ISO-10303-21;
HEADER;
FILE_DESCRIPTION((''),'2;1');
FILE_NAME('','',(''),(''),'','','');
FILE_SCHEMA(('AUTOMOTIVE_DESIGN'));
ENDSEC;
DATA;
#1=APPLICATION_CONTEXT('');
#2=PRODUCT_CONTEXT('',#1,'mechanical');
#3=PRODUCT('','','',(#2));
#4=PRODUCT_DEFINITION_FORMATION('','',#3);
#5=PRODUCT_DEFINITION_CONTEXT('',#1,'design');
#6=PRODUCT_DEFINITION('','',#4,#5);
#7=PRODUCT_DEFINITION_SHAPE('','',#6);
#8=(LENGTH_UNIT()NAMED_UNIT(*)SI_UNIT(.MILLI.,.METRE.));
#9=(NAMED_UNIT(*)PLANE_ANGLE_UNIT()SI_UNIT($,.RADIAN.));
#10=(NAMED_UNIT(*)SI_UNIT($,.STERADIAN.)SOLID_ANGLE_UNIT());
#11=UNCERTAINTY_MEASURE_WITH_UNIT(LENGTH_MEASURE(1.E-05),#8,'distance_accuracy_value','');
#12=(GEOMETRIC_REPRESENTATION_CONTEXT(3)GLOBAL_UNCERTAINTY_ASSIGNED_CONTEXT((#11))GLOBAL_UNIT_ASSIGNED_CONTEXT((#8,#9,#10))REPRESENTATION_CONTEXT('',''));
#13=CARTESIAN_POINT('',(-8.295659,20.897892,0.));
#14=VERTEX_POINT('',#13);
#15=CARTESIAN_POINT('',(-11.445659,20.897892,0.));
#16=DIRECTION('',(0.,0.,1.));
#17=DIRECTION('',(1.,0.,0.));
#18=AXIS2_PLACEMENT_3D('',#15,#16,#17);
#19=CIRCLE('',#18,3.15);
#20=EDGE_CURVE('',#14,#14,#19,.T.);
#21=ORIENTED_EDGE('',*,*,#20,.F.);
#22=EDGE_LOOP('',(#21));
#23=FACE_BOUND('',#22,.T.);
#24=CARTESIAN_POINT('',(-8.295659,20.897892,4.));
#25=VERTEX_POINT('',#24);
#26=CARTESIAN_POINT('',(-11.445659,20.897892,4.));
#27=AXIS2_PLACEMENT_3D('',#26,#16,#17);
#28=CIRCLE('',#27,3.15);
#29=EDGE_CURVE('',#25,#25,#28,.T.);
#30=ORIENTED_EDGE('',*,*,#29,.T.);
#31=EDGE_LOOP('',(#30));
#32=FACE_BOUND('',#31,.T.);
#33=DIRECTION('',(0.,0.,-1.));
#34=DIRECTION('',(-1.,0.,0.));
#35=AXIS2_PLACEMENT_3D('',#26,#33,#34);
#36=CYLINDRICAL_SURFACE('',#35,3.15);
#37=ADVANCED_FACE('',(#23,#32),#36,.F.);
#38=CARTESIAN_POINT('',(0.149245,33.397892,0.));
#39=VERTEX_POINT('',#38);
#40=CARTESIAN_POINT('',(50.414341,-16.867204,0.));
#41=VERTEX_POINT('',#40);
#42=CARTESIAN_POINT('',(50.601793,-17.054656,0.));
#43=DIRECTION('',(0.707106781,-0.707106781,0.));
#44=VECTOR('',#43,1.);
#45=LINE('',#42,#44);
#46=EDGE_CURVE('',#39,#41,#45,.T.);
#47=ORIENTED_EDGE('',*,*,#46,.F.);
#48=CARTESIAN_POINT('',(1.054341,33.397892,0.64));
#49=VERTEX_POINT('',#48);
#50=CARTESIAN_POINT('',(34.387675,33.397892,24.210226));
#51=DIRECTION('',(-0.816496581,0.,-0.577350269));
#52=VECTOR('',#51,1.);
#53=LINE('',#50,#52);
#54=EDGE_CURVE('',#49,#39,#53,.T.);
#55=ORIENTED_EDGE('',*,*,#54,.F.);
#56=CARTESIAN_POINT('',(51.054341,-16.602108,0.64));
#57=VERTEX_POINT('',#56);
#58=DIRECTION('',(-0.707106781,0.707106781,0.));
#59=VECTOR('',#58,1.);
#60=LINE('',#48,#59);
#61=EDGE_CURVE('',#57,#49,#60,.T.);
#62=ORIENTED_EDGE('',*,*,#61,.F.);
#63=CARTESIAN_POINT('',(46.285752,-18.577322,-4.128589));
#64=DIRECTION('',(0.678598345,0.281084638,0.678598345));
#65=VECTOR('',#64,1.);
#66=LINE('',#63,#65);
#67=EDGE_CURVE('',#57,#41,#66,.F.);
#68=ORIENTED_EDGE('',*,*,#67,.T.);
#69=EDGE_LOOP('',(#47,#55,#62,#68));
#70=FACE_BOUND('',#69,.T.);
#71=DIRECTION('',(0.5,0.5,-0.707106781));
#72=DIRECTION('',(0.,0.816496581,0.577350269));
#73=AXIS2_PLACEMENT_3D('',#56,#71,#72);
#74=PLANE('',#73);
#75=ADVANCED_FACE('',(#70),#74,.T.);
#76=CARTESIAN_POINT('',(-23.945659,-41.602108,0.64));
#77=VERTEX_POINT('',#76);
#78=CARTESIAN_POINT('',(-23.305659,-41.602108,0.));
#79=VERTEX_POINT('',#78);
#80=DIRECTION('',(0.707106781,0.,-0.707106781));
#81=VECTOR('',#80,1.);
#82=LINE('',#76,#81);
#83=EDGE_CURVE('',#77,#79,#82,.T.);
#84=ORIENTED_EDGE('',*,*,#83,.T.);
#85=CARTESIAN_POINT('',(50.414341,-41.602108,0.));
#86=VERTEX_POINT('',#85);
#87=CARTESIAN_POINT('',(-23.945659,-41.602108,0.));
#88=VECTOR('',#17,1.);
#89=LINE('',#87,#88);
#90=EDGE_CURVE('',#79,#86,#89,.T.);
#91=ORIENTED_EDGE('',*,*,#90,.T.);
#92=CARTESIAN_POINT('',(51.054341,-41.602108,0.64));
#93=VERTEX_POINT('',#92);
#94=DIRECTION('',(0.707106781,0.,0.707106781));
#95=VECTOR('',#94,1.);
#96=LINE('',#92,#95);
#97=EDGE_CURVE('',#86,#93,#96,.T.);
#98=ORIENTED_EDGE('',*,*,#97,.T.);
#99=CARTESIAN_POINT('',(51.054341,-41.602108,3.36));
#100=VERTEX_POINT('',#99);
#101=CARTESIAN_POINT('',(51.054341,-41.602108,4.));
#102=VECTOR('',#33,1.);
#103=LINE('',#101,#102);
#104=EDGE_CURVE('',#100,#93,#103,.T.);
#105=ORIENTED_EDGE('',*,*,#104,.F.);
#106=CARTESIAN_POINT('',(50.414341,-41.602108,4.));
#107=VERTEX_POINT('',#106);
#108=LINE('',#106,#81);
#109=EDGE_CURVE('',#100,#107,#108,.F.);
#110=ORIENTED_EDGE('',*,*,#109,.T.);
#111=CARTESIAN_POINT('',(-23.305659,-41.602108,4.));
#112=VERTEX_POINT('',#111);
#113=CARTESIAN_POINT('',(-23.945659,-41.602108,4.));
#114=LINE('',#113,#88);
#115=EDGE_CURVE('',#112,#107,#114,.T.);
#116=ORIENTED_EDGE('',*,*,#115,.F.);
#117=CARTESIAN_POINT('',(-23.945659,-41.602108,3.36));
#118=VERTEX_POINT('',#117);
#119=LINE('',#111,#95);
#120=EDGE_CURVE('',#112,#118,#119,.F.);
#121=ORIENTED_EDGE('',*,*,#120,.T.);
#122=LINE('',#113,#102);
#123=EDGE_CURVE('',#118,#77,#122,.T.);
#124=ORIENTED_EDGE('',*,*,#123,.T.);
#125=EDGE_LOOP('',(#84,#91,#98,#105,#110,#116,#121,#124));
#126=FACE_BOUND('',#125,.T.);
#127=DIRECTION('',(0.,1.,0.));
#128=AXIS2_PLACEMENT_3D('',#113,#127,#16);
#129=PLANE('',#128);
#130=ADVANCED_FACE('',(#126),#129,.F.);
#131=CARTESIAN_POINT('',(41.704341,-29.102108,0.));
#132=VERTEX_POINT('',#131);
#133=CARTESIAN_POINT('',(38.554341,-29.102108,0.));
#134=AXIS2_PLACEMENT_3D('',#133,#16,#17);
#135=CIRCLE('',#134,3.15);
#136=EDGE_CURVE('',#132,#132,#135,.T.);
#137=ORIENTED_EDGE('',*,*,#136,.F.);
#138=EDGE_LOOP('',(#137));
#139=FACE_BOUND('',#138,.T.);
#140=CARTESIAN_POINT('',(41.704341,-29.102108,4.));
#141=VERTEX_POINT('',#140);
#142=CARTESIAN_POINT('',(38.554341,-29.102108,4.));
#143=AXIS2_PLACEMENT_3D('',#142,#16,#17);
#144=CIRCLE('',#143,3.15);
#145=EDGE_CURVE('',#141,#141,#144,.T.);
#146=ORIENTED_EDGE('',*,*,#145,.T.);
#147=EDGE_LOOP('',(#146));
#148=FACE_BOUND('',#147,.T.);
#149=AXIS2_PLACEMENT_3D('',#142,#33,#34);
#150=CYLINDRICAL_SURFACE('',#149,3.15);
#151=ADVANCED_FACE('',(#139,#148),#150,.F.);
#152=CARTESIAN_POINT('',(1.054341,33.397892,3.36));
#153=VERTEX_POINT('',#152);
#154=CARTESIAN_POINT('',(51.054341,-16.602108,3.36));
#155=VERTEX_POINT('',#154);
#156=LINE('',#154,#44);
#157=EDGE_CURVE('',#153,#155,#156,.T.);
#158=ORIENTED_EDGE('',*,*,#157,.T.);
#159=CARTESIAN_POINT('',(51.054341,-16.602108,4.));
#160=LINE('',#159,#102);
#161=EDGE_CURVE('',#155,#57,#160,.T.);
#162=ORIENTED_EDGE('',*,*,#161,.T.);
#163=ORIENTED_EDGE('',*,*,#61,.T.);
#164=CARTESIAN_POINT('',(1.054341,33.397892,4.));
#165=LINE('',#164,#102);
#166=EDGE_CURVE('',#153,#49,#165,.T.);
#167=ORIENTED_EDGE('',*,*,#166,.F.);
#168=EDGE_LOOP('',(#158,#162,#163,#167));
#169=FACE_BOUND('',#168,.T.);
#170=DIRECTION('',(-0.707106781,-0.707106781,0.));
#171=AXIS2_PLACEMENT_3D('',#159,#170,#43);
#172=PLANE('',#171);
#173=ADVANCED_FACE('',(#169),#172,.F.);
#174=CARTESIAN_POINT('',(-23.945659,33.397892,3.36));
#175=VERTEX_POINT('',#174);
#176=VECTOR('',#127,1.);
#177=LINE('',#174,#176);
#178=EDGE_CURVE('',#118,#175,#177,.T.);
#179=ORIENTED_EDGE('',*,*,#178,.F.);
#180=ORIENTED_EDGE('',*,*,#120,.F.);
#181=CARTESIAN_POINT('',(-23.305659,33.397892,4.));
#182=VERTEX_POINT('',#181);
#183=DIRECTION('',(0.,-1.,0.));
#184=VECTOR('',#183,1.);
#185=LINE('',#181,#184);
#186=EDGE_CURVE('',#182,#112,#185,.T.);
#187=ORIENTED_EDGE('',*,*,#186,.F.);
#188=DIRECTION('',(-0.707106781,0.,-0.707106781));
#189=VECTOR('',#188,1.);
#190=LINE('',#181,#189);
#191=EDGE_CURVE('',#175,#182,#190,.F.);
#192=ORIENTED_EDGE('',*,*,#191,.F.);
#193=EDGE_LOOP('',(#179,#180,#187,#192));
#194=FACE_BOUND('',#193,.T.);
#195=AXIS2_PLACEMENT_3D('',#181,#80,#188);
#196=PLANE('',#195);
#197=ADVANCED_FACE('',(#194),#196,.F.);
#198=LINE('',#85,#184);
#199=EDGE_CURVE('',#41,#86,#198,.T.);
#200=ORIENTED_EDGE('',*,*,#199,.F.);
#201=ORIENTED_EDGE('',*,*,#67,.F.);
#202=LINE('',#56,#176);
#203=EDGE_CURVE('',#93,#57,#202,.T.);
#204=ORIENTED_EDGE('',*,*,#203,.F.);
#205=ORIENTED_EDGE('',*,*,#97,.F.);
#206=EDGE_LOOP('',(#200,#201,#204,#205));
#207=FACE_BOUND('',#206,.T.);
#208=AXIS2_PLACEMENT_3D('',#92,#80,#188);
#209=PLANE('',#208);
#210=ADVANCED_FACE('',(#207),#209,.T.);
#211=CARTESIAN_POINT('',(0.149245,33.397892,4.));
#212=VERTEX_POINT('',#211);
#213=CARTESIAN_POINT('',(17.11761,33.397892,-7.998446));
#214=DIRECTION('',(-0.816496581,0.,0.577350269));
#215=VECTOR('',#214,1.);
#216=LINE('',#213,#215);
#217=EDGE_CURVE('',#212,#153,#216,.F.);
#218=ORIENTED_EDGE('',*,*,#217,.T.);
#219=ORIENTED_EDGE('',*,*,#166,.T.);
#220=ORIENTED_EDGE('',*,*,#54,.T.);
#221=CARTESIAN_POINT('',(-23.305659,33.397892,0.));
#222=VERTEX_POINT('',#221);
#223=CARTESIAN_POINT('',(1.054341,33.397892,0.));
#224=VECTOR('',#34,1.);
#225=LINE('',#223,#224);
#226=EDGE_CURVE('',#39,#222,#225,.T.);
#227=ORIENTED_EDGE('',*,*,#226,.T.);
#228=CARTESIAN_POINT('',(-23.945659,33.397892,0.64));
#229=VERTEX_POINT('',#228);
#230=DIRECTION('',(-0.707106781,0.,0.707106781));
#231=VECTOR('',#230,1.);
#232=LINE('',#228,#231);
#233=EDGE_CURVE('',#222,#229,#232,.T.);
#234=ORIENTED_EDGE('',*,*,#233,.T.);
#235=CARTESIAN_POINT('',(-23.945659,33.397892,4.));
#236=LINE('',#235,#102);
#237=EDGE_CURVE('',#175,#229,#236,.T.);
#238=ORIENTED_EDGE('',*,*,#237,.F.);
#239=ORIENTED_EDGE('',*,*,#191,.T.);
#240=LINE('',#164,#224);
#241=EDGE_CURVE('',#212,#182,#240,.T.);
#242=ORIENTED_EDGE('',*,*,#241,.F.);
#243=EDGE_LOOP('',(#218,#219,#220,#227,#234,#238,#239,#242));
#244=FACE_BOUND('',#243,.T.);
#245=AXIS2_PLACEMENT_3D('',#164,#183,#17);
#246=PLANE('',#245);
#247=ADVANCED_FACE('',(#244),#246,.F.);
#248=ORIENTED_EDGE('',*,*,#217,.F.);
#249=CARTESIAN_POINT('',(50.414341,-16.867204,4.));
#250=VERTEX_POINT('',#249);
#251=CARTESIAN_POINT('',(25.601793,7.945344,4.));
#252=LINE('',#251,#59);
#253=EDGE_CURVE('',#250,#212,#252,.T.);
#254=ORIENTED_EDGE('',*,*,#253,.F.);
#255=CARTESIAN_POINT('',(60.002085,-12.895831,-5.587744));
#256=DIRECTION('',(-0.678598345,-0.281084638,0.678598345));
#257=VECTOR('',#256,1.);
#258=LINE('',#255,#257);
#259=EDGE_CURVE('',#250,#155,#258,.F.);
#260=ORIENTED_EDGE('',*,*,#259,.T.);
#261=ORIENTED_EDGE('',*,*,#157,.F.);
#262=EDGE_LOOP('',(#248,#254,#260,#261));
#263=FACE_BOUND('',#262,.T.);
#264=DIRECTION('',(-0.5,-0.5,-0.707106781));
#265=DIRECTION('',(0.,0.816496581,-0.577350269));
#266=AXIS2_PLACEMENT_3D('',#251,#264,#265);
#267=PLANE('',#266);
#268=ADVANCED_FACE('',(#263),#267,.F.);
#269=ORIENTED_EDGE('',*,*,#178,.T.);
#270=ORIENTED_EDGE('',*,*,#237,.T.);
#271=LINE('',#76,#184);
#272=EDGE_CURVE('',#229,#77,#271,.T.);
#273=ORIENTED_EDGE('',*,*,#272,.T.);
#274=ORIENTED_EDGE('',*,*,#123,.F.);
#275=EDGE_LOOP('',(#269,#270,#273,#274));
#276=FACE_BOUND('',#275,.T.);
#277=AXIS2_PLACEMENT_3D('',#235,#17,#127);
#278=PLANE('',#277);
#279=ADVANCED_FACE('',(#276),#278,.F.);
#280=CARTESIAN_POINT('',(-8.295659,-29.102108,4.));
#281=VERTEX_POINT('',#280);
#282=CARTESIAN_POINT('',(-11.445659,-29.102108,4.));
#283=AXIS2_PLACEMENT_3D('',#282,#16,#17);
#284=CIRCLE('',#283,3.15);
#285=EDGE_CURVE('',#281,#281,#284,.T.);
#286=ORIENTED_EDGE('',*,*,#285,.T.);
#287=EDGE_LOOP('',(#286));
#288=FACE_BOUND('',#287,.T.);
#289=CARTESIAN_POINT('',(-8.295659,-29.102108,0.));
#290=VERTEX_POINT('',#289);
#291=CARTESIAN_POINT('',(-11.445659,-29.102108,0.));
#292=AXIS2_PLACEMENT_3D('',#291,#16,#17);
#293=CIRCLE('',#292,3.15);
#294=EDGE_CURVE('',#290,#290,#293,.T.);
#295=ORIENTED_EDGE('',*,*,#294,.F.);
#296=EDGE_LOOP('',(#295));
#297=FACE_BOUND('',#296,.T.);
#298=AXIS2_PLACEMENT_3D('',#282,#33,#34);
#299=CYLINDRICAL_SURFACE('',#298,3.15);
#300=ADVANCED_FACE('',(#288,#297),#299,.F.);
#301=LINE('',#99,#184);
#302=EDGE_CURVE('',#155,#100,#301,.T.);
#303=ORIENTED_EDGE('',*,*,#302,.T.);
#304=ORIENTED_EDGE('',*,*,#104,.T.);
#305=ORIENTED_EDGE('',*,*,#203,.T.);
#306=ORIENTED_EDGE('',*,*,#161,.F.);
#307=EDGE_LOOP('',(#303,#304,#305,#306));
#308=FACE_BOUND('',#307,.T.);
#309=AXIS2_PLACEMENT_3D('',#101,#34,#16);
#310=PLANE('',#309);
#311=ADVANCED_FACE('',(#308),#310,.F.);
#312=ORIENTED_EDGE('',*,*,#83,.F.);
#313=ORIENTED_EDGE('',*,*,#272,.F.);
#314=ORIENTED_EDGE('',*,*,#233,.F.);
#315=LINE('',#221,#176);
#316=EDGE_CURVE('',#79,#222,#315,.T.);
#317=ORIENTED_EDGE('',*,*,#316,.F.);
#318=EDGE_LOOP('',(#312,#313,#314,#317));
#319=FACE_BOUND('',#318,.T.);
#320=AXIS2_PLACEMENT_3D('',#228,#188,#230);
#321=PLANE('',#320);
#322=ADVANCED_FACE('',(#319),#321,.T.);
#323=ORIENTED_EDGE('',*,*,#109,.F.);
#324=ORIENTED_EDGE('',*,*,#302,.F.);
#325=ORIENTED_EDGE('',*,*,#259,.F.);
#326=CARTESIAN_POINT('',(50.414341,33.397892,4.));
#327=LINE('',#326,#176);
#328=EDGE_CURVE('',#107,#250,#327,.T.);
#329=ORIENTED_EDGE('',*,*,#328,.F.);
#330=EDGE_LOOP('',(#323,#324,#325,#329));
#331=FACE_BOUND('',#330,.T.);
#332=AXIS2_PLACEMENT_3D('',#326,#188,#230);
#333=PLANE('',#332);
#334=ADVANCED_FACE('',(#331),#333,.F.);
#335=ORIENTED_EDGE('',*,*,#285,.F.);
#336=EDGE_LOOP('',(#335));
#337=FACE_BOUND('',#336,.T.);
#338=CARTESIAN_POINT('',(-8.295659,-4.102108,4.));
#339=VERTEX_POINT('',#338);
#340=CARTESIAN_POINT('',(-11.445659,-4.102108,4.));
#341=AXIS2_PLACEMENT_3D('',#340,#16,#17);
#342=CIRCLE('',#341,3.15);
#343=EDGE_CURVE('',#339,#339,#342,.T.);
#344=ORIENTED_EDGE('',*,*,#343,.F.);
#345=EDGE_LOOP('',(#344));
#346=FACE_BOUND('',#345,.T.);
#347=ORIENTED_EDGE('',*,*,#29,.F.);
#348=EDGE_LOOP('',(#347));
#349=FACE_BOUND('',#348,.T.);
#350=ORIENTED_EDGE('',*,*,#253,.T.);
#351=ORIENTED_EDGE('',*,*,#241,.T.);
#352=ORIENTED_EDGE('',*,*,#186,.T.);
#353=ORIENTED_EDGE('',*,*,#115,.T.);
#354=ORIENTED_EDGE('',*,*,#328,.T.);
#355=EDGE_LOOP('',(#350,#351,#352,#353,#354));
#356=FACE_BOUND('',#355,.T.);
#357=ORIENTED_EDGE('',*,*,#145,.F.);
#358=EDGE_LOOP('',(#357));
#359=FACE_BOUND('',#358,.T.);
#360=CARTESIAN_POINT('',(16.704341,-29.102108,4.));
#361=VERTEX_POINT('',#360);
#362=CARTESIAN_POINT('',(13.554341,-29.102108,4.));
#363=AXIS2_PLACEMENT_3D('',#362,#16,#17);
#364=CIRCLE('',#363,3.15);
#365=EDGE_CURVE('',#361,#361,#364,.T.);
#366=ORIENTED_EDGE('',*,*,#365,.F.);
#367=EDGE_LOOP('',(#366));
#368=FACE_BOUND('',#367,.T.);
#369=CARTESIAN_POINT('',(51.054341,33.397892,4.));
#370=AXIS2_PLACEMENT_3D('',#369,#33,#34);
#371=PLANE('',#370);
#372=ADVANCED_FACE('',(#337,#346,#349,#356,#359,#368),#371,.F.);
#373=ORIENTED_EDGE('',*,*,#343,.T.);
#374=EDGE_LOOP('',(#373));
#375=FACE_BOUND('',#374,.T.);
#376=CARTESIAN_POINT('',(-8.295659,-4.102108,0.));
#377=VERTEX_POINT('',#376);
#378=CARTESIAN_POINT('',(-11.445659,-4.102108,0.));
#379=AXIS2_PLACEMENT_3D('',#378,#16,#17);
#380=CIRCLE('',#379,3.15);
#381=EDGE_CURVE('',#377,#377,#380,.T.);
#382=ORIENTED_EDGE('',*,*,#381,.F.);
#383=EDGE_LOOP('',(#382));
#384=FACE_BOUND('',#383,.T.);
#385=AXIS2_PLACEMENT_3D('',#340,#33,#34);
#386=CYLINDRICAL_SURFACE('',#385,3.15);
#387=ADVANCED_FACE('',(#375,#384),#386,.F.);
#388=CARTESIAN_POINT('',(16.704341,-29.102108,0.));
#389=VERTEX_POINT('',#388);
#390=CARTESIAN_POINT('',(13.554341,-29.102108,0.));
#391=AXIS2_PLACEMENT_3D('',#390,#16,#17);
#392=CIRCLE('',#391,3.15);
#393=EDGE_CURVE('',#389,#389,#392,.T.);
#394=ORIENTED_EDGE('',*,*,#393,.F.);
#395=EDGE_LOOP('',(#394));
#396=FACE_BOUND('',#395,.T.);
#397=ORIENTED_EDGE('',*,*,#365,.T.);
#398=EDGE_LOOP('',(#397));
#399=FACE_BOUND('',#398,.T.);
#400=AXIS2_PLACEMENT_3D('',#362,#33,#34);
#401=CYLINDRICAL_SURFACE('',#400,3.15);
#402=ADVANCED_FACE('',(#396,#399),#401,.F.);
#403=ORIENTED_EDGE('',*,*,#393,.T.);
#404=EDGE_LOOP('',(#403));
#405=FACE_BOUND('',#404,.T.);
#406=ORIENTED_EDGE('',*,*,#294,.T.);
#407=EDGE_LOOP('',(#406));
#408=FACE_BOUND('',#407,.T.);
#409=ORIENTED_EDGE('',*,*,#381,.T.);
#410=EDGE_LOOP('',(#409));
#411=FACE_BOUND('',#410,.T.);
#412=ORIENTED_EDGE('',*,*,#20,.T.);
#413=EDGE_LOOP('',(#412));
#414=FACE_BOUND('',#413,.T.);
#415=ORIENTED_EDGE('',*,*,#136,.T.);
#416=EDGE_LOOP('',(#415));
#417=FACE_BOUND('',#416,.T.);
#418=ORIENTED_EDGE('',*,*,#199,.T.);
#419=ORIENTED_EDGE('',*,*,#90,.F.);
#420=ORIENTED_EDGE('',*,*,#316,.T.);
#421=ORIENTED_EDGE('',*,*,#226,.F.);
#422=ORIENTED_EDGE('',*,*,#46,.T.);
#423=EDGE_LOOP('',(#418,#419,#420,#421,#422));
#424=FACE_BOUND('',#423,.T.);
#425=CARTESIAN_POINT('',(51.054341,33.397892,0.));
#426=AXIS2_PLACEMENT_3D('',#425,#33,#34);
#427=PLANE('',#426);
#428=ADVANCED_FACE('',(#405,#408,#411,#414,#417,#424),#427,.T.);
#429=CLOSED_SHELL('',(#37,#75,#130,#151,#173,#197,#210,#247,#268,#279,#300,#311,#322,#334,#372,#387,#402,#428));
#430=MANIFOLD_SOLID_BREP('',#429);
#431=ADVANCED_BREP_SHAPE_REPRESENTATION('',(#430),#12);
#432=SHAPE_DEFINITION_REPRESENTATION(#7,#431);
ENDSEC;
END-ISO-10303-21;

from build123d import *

# Parameters (mm, degrees)
SKETCH1_R      = 3.15
EXTRUDE1_DEPTH = 4
CHAMFER1_SIZE  = 0.64


with BuildPart() as part:
    # Sketch1 → Extrude1 (new body)
    with BuildSketch(Plane.XY):
        Polygon((-23.945658648, 33.397892325), (-23.945658648, -41.602107675), (51.054341352, -41.602107675), (51.054341352, -16.602107675), (1.054341352, 33.397892325), align=None)
        with Locations((-11.445658648, -29.102107675)):
            Circle(SKETCH1_R, mode=Mode.SUBTRACT)
        with Locations((-11.445658648, -4.102107675)):
            Circle(SKETCH1_R, mode=Mode.SUBTRACT)
        with Locations((-11.445658648, 20.897892325)):
            Circle(SKETCH1_R, mode=Mode.SUBTRACT)
        with Locations((13.554341352, -29.102107675)):
            Circle(SKETCH1_R, mode=Mode.SUBTRACT)
        with Locations((38.554341352, -29.102107675)):
            Circle(SKETCH1_R, mode=Mode.SUBTRACT)
    extrude(amount=EXTRUDE1_DEPTH)

    # Chamfer1
    chamfer1_edges = [part.edges().sort_by_distance(p)[0] for p in [
        (51.054341352, -29.102107675, 4),
        (26.054341352, 8.397892325, 4),
        (26.054341352, 8.397892325, 0),
        (51.054341352, -29.102107675, 0),
        (-23.945658648, -4.102107675, 0),
        (-23.945658648, -4.102107675, 4),
    ]]
    chamfer(chamfer1_edges, length=CHAMFER1_SIZE)


solid = part.part
